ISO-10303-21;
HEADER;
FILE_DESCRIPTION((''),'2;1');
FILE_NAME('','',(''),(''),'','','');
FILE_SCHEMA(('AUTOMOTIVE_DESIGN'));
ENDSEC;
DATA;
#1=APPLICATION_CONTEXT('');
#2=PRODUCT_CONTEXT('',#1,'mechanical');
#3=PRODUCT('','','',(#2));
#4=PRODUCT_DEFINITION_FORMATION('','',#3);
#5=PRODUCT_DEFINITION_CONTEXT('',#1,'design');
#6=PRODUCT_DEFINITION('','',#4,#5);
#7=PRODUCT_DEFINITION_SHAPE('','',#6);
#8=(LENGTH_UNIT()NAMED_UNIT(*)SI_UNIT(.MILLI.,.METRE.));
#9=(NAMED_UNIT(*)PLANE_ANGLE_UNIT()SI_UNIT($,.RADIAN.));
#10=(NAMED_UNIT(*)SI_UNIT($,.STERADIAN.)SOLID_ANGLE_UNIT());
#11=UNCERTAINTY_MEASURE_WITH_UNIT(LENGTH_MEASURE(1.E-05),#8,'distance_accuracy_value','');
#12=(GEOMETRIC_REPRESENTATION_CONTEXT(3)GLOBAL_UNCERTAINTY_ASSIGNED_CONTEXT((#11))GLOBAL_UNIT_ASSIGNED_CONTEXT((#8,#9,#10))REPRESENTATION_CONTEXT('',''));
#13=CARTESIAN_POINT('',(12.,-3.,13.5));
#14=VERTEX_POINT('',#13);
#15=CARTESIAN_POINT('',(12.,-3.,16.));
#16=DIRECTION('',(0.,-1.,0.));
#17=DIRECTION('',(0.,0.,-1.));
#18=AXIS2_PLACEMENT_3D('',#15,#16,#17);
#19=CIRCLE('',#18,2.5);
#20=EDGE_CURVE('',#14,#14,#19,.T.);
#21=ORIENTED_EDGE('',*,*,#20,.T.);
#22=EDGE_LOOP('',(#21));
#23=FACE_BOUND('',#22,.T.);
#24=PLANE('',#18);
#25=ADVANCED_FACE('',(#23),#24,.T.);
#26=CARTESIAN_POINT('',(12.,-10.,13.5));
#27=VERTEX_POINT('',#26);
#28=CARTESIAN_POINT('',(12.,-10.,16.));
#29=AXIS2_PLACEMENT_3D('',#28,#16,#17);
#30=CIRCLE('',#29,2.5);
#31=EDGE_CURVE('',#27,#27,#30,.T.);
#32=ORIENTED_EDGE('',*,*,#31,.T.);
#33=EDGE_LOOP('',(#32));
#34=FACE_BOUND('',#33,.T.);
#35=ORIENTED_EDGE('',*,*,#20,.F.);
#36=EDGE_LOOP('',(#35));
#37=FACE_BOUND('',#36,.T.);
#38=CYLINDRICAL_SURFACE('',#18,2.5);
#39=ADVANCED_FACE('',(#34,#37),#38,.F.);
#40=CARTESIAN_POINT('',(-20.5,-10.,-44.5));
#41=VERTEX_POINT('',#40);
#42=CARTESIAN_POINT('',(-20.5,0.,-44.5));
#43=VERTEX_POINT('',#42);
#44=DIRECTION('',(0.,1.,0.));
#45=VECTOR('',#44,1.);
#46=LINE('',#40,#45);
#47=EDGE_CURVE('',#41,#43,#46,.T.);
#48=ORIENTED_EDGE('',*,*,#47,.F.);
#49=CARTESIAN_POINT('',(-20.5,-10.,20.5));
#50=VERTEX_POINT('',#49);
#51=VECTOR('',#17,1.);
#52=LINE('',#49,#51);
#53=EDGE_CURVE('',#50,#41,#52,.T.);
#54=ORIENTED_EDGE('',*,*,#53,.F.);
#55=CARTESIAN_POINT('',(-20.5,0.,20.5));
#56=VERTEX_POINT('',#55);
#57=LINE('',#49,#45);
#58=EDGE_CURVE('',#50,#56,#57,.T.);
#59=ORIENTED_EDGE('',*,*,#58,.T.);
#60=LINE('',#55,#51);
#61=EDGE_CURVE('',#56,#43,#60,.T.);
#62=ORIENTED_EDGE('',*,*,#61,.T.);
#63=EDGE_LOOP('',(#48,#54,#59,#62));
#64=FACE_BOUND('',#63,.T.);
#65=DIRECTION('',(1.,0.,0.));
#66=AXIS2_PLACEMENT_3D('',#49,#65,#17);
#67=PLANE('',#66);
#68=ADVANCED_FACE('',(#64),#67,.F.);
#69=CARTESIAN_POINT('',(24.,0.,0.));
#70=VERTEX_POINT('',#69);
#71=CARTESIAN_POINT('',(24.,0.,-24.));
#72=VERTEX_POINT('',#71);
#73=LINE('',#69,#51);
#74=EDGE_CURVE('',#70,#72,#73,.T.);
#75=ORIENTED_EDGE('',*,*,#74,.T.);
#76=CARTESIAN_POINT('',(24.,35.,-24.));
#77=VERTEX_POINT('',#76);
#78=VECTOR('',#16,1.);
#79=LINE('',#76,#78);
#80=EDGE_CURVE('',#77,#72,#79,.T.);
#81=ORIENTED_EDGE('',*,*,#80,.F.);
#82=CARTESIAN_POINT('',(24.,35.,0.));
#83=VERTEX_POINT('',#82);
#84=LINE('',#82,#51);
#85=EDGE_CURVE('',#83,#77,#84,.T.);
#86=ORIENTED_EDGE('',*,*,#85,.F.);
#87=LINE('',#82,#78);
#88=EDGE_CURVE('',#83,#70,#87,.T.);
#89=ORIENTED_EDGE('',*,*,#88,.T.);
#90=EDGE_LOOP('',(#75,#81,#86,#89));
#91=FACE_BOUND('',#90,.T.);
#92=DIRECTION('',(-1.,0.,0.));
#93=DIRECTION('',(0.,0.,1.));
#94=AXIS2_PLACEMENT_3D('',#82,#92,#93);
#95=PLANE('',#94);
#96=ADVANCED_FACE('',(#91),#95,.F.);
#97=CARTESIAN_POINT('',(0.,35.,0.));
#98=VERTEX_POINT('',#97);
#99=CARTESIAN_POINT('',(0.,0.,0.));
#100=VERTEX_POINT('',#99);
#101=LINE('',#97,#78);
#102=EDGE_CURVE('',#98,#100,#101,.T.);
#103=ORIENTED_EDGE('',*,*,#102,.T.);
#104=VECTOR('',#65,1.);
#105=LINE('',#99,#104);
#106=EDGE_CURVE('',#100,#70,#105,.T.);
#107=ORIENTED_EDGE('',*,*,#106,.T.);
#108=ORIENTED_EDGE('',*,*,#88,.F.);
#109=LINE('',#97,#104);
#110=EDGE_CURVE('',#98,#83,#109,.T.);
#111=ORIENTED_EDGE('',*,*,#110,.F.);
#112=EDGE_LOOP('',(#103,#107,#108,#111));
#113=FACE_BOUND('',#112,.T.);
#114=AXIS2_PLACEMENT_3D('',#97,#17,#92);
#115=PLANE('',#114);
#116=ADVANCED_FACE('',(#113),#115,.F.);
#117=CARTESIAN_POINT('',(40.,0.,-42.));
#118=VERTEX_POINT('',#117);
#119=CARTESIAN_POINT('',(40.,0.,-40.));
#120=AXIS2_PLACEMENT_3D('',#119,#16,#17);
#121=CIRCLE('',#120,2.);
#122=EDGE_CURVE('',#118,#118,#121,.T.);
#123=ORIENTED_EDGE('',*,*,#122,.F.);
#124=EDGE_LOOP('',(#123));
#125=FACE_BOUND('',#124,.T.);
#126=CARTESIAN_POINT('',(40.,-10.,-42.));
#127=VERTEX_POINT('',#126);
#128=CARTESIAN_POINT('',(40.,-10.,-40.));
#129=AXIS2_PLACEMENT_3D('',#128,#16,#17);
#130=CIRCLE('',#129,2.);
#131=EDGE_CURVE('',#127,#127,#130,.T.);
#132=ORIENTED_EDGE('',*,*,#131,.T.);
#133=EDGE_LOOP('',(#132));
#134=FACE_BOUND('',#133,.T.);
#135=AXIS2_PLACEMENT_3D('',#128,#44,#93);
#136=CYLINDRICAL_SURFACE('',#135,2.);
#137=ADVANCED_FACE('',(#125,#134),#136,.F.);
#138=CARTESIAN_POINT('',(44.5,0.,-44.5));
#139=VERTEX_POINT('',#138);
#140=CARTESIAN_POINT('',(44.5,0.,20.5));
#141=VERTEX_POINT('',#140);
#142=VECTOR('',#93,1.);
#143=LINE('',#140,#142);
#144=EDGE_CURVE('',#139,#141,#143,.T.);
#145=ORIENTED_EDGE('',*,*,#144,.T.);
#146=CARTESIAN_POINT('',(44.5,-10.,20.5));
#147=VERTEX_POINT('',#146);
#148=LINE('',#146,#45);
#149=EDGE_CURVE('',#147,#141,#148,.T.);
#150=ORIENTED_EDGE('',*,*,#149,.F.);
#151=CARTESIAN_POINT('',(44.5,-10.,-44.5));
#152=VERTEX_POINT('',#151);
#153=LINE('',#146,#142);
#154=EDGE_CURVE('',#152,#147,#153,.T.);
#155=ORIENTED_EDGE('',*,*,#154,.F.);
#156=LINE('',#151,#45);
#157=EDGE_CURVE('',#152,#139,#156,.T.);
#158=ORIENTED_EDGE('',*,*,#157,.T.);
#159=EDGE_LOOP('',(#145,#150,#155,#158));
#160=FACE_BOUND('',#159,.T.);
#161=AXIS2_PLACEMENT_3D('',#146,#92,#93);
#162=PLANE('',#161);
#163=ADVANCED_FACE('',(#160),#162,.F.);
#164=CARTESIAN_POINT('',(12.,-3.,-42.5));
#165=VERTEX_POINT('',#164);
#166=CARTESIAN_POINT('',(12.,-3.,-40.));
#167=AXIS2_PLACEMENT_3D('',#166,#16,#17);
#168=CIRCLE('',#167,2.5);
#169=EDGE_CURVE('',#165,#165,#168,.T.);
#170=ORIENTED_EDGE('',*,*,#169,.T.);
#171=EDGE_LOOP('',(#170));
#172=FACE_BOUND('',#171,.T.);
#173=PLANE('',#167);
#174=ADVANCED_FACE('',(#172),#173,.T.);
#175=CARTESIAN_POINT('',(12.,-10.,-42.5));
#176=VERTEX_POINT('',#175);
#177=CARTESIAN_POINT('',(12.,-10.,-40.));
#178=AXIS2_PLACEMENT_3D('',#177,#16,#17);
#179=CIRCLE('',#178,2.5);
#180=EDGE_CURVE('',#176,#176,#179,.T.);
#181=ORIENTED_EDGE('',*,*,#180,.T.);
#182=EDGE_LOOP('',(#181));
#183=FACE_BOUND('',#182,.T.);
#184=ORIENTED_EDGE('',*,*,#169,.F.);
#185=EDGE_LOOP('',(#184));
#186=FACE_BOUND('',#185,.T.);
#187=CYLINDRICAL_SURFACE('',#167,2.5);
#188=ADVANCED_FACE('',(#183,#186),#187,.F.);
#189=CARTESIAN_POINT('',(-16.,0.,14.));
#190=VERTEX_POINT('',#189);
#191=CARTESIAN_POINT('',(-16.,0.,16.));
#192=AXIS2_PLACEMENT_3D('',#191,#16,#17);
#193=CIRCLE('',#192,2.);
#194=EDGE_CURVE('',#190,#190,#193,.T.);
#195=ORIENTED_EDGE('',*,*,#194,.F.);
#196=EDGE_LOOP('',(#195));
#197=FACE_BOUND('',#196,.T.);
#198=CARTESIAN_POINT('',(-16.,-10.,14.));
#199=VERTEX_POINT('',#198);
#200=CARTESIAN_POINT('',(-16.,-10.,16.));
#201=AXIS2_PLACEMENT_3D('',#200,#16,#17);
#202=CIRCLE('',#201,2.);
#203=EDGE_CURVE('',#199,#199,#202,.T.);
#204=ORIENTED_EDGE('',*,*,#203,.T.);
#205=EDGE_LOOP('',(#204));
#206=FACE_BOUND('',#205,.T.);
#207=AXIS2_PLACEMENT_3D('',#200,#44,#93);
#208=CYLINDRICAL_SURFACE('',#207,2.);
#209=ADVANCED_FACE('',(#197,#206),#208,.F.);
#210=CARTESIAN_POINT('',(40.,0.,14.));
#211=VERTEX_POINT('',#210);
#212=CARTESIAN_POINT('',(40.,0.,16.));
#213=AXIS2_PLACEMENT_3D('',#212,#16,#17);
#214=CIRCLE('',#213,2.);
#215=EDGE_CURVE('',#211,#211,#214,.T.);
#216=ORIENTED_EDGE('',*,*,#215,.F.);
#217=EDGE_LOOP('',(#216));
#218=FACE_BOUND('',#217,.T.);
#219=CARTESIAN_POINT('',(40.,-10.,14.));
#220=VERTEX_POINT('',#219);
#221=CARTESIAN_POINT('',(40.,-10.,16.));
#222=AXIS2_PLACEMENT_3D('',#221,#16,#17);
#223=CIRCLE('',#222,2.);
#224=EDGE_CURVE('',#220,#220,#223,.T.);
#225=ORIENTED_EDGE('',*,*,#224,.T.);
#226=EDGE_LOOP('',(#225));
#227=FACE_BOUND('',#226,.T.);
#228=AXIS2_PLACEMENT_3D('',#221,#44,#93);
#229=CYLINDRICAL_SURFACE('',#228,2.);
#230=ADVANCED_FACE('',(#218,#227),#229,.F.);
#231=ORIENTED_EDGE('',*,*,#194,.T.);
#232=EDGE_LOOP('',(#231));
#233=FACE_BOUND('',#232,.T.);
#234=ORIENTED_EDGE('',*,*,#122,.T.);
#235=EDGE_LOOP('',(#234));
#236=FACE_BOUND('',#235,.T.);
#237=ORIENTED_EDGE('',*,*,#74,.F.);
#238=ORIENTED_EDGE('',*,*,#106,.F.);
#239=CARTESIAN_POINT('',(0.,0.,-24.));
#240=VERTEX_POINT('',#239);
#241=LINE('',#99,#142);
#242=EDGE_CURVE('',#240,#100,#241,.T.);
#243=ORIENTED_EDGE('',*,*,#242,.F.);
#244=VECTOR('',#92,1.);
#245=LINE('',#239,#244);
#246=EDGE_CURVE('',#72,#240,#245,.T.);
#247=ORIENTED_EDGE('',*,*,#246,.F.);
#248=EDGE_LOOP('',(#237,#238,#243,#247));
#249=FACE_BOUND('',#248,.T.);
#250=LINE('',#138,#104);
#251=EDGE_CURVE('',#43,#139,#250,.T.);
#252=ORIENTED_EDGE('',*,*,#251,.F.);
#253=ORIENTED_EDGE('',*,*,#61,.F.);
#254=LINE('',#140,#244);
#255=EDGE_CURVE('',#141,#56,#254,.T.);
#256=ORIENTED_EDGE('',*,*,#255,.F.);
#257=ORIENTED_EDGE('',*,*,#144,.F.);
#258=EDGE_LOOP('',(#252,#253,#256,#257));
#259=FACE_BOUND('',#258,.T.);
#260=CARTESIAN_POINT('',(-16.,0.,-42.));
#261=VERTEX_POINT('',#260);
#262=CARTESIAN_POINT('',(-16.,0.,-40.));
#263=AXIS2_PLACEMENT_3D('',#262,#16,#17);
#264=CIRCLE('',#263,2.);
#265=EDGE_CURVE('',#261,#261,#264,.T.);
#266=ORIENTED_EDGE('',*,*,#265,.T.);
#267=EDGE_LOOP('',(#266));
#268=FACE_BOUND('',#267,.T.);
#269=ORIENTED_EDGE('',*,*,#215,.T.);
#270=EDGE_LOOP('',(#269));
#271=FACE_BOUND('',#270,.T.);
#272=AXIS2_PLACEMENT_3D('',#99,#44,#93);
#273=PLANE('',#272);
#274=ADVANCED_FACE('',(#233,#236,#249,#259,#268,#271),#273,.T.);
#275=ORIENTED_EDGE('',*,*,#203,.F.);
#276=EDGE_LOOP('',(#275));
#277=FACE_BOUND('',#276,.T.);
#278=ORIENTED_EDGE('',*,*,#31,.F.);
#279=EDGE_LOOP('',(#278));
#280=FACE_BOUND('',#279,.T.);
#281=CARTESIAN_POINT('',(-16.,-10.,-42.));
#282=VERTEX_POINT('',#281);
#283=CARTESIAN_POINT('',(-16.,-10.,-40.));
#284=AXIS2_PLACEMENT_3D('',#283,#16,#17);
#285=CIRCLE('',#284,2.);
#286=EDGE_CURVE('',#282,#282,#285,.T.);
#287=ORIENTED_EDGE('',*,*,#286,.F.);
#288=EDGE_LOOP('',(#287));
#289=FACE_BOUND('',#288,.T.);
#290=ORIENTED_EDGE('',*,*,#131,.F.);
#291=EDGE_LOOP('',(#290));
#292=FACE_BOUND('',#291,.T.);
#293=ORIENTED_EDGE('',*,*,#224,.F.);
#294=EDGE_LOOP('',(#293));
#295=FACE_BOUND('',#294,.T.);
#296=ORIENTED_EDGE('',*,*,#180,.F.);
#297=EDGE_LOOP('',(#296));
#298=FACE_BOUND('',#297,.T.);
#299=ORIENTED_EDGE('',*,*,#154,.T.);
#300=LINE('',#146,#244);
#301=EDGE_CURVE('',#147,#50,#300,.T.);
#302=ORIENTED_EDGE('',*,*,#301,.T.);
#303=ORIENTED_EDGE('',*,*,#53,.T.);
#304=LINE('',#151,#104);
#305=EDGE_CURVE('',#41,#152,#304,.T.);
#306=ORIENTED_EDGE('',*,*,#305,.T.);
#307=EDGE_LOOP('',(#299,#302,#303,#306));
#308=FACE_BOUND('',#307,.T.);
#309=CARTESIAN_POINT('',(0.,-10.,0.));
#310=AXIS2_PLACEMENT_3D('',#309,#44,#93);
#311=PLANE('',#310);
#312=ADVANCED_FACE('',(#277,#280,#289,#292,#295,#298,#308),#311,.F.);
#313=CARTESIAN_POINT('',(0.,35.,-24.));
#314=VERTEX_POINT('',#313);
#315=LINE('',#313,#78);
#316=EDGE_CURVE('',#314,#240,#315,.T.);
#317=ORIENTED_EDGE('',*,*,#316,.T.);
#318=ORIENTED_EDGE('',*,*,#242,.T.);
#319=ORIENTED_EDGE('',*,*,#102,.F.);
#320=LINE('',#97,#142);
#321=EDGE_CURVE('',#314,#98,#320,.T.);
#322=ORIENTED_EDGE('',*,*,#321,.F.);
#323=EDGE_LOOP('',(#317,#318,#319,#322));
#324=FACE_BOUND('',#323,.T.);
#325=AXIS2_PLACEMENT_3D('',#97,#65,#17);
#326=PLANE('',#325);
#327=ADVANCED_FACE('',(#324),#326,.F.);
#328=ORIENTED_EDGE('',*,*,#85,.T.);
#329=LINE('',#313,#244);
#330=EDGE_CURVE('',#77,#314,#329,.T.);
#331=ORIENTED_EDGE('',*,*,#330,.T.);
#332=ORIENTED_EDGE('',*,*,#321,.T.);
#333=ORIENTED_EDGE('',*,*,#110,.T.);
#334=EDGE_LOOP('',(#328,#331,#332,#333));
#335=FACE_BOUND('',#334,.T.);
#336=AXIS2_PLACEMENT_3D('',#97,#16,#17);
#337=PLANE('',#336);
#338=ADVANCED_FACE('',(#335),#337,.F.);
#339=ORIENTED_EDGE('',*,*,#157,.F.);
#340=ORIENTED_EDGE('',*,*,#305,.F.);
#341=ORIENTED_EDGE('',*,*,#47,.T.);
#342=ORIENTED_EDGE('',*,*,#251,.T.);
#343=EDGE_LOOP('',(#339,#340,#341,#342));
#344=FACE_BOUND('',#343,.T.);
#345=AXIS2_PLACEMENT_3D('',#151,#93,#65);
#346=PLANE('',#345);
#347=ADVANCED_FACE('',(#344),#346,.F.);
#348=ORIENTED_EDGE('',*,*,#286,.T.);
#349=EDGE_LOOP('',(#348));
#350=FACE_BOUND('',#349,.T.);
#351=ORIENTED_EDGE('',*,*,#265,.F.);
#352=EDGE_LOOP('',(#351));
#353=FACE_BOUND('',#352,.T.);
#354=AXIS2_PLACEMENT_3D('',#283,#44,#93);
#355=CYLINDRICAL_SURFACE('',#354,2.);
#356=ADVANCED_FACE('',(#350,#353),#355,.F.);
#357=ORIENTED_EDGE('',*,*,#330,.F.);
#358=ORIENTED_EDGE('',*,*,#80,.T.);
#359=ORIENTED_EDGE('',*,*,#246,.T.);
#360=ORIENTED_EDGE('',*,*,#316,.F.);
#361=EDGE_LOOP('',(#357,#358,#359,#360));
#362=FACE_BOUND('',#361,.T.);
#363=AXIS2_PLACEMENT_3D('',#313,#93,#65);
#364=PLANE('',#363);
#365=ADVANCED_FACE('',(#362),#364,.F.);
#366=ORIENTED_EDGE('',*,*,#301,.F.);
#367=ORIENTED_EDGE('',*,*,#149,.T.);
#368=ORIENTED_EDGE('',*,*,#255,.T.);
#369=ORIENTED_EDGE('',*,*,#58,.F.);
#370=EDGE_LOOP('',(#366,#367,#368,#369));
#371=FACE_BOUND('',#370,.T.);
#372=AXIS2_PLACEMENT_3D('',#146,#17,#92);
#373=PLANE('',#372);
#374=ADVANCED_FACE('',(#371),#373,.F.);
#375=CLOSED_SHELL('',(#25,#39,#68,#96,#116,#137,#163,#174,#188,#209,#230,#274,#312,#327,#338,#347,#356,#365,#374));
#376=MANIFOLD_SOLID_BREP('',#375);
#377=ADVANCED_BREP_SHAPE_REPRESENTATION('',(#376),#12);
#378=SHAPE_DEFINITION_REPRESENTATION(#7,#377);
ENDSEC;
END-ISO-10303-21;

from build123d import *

# Parameters (mm, degrees)
SKETCH1_W           = 24
SKETCH1_H           = 24
BOSS_EXTRUDE1_DEPTH = 35
SKETCH2_W           = 65
SKETCH2_H           = 65
SKETCH2_R           = 2
BOSS_EXTRUDE2_DEPTH = 10
SKETCH3_R           = 2.5
CUT_EXTRUDE1_DEPTH  = 7


with BuildPart() as part:
    # Sketch1 → Boss-Extrude1 (new body)
    with BuildSketch(Plane(origin=(0, 0, 0), x_dir=(1, 0, 0), z_dir=(0, 1, 0))):
        with Locations((12, 12)):
            Rectangle(SKETCH1_W, SKETCH1_H)
    extrude(amount=BOSS_EXTRUDE1_DEPTH)

    # Sketch2 → Boss-Extrude2 (add)
    with BuildSketch(Plane.XZ):
        with Locations((12, -12)):
            Rectangle(SKETCH2_W, SKETCH2_H)
        with Locations((-16, 16)):
            Circle(SKETCH2_R, mode=Mode.SUBTRACT)
        with Locations((-16, -40)):
            Circle(SKETCH2_R, mode=Mode.SUBTRACT)
        with Locations((40, 16)):
            Circle(SKETCH2_R, mode=Mode.SUBTRACT)
        with Locations((40, -40)):
            Circle(SKETCH2_R, mode=Mode.SUBTRACT)
    extrude(amount=BOSS_EXTRUDE2_DEPTH)

    # Sketch3 → Cut-Extrude1 (cut)
    with BuildSketch(Plane.XZ.offset(10)):
        with Locations((12, 16)):
            Circle(SKETCH3_R)
        with Locations((12, -40)):
            Circle(SKETCH3_R)
    extrude(amount=-CUT_EXTRUDE1_DEPTH, mode=Mode.SUBTRACT)


solid = part.part
